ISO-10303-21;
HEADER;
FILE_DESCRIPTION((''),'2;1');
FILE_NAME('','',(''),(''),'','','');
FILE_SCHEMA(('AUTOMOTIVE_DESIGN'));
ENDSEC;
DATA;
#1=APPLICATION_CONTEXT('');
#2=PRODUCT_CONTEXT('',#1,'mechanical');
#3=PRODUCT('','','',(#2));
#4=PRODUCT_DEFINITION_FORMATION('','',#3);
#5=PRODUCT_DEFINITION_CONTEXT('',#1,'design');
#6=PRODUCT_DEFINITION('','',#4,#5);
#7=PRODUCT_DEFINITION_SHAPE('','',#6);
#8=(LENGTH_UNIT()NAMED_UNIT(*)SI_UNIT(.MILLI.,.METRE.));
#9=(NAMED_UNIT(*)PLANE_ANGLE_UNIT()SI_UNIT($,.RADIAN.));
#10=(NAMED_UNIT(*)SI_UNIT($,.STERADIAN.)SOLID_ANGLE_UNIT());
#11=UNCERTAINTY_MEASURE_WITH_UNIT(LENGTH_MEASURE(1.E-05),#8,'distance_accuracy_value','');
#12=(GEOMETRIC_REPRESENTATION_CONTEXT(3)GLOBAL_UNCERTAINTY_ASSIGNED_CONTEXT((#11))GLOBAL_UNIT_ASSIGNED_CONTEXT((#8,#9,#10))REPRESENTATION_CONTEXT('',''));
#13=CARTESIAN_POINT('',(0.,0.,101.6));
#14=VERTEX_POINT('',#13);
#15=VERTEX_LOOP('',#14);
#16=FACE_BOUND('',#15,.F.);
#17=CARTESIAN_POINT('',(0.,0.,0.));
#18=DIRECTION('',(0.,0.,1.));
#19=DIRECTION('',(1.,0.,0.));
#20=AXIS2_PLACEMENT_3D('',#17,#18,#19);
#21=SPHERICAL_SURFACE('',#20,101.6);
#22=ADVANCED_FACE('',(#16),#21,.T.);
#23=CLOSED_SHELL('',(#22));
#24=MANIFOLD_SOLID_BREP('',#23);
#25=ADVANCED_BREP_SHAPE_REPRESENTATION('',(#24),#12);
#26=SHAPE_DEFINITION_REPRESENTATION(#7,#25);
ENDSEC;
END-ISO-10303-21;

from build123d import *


with BuildPart() as f1:
    # F0 (on Front) → F1 (revolve)
    with BuildSketch(Plane.XZ):
        with BuildLine():
            Line((0, -59.584961), (0, -101.6))
            ThreePointArc((0, -101.6), (101.6, 0), (0, 101.6))
            Line((0, 101.6), (0, 59.012033))
            Line((0, 59.012033), (0, -59.584961))
        make_face()
    revolve(axis=Axis((0, 0, 0), (0, 0, -1)))


solid = f1.part
